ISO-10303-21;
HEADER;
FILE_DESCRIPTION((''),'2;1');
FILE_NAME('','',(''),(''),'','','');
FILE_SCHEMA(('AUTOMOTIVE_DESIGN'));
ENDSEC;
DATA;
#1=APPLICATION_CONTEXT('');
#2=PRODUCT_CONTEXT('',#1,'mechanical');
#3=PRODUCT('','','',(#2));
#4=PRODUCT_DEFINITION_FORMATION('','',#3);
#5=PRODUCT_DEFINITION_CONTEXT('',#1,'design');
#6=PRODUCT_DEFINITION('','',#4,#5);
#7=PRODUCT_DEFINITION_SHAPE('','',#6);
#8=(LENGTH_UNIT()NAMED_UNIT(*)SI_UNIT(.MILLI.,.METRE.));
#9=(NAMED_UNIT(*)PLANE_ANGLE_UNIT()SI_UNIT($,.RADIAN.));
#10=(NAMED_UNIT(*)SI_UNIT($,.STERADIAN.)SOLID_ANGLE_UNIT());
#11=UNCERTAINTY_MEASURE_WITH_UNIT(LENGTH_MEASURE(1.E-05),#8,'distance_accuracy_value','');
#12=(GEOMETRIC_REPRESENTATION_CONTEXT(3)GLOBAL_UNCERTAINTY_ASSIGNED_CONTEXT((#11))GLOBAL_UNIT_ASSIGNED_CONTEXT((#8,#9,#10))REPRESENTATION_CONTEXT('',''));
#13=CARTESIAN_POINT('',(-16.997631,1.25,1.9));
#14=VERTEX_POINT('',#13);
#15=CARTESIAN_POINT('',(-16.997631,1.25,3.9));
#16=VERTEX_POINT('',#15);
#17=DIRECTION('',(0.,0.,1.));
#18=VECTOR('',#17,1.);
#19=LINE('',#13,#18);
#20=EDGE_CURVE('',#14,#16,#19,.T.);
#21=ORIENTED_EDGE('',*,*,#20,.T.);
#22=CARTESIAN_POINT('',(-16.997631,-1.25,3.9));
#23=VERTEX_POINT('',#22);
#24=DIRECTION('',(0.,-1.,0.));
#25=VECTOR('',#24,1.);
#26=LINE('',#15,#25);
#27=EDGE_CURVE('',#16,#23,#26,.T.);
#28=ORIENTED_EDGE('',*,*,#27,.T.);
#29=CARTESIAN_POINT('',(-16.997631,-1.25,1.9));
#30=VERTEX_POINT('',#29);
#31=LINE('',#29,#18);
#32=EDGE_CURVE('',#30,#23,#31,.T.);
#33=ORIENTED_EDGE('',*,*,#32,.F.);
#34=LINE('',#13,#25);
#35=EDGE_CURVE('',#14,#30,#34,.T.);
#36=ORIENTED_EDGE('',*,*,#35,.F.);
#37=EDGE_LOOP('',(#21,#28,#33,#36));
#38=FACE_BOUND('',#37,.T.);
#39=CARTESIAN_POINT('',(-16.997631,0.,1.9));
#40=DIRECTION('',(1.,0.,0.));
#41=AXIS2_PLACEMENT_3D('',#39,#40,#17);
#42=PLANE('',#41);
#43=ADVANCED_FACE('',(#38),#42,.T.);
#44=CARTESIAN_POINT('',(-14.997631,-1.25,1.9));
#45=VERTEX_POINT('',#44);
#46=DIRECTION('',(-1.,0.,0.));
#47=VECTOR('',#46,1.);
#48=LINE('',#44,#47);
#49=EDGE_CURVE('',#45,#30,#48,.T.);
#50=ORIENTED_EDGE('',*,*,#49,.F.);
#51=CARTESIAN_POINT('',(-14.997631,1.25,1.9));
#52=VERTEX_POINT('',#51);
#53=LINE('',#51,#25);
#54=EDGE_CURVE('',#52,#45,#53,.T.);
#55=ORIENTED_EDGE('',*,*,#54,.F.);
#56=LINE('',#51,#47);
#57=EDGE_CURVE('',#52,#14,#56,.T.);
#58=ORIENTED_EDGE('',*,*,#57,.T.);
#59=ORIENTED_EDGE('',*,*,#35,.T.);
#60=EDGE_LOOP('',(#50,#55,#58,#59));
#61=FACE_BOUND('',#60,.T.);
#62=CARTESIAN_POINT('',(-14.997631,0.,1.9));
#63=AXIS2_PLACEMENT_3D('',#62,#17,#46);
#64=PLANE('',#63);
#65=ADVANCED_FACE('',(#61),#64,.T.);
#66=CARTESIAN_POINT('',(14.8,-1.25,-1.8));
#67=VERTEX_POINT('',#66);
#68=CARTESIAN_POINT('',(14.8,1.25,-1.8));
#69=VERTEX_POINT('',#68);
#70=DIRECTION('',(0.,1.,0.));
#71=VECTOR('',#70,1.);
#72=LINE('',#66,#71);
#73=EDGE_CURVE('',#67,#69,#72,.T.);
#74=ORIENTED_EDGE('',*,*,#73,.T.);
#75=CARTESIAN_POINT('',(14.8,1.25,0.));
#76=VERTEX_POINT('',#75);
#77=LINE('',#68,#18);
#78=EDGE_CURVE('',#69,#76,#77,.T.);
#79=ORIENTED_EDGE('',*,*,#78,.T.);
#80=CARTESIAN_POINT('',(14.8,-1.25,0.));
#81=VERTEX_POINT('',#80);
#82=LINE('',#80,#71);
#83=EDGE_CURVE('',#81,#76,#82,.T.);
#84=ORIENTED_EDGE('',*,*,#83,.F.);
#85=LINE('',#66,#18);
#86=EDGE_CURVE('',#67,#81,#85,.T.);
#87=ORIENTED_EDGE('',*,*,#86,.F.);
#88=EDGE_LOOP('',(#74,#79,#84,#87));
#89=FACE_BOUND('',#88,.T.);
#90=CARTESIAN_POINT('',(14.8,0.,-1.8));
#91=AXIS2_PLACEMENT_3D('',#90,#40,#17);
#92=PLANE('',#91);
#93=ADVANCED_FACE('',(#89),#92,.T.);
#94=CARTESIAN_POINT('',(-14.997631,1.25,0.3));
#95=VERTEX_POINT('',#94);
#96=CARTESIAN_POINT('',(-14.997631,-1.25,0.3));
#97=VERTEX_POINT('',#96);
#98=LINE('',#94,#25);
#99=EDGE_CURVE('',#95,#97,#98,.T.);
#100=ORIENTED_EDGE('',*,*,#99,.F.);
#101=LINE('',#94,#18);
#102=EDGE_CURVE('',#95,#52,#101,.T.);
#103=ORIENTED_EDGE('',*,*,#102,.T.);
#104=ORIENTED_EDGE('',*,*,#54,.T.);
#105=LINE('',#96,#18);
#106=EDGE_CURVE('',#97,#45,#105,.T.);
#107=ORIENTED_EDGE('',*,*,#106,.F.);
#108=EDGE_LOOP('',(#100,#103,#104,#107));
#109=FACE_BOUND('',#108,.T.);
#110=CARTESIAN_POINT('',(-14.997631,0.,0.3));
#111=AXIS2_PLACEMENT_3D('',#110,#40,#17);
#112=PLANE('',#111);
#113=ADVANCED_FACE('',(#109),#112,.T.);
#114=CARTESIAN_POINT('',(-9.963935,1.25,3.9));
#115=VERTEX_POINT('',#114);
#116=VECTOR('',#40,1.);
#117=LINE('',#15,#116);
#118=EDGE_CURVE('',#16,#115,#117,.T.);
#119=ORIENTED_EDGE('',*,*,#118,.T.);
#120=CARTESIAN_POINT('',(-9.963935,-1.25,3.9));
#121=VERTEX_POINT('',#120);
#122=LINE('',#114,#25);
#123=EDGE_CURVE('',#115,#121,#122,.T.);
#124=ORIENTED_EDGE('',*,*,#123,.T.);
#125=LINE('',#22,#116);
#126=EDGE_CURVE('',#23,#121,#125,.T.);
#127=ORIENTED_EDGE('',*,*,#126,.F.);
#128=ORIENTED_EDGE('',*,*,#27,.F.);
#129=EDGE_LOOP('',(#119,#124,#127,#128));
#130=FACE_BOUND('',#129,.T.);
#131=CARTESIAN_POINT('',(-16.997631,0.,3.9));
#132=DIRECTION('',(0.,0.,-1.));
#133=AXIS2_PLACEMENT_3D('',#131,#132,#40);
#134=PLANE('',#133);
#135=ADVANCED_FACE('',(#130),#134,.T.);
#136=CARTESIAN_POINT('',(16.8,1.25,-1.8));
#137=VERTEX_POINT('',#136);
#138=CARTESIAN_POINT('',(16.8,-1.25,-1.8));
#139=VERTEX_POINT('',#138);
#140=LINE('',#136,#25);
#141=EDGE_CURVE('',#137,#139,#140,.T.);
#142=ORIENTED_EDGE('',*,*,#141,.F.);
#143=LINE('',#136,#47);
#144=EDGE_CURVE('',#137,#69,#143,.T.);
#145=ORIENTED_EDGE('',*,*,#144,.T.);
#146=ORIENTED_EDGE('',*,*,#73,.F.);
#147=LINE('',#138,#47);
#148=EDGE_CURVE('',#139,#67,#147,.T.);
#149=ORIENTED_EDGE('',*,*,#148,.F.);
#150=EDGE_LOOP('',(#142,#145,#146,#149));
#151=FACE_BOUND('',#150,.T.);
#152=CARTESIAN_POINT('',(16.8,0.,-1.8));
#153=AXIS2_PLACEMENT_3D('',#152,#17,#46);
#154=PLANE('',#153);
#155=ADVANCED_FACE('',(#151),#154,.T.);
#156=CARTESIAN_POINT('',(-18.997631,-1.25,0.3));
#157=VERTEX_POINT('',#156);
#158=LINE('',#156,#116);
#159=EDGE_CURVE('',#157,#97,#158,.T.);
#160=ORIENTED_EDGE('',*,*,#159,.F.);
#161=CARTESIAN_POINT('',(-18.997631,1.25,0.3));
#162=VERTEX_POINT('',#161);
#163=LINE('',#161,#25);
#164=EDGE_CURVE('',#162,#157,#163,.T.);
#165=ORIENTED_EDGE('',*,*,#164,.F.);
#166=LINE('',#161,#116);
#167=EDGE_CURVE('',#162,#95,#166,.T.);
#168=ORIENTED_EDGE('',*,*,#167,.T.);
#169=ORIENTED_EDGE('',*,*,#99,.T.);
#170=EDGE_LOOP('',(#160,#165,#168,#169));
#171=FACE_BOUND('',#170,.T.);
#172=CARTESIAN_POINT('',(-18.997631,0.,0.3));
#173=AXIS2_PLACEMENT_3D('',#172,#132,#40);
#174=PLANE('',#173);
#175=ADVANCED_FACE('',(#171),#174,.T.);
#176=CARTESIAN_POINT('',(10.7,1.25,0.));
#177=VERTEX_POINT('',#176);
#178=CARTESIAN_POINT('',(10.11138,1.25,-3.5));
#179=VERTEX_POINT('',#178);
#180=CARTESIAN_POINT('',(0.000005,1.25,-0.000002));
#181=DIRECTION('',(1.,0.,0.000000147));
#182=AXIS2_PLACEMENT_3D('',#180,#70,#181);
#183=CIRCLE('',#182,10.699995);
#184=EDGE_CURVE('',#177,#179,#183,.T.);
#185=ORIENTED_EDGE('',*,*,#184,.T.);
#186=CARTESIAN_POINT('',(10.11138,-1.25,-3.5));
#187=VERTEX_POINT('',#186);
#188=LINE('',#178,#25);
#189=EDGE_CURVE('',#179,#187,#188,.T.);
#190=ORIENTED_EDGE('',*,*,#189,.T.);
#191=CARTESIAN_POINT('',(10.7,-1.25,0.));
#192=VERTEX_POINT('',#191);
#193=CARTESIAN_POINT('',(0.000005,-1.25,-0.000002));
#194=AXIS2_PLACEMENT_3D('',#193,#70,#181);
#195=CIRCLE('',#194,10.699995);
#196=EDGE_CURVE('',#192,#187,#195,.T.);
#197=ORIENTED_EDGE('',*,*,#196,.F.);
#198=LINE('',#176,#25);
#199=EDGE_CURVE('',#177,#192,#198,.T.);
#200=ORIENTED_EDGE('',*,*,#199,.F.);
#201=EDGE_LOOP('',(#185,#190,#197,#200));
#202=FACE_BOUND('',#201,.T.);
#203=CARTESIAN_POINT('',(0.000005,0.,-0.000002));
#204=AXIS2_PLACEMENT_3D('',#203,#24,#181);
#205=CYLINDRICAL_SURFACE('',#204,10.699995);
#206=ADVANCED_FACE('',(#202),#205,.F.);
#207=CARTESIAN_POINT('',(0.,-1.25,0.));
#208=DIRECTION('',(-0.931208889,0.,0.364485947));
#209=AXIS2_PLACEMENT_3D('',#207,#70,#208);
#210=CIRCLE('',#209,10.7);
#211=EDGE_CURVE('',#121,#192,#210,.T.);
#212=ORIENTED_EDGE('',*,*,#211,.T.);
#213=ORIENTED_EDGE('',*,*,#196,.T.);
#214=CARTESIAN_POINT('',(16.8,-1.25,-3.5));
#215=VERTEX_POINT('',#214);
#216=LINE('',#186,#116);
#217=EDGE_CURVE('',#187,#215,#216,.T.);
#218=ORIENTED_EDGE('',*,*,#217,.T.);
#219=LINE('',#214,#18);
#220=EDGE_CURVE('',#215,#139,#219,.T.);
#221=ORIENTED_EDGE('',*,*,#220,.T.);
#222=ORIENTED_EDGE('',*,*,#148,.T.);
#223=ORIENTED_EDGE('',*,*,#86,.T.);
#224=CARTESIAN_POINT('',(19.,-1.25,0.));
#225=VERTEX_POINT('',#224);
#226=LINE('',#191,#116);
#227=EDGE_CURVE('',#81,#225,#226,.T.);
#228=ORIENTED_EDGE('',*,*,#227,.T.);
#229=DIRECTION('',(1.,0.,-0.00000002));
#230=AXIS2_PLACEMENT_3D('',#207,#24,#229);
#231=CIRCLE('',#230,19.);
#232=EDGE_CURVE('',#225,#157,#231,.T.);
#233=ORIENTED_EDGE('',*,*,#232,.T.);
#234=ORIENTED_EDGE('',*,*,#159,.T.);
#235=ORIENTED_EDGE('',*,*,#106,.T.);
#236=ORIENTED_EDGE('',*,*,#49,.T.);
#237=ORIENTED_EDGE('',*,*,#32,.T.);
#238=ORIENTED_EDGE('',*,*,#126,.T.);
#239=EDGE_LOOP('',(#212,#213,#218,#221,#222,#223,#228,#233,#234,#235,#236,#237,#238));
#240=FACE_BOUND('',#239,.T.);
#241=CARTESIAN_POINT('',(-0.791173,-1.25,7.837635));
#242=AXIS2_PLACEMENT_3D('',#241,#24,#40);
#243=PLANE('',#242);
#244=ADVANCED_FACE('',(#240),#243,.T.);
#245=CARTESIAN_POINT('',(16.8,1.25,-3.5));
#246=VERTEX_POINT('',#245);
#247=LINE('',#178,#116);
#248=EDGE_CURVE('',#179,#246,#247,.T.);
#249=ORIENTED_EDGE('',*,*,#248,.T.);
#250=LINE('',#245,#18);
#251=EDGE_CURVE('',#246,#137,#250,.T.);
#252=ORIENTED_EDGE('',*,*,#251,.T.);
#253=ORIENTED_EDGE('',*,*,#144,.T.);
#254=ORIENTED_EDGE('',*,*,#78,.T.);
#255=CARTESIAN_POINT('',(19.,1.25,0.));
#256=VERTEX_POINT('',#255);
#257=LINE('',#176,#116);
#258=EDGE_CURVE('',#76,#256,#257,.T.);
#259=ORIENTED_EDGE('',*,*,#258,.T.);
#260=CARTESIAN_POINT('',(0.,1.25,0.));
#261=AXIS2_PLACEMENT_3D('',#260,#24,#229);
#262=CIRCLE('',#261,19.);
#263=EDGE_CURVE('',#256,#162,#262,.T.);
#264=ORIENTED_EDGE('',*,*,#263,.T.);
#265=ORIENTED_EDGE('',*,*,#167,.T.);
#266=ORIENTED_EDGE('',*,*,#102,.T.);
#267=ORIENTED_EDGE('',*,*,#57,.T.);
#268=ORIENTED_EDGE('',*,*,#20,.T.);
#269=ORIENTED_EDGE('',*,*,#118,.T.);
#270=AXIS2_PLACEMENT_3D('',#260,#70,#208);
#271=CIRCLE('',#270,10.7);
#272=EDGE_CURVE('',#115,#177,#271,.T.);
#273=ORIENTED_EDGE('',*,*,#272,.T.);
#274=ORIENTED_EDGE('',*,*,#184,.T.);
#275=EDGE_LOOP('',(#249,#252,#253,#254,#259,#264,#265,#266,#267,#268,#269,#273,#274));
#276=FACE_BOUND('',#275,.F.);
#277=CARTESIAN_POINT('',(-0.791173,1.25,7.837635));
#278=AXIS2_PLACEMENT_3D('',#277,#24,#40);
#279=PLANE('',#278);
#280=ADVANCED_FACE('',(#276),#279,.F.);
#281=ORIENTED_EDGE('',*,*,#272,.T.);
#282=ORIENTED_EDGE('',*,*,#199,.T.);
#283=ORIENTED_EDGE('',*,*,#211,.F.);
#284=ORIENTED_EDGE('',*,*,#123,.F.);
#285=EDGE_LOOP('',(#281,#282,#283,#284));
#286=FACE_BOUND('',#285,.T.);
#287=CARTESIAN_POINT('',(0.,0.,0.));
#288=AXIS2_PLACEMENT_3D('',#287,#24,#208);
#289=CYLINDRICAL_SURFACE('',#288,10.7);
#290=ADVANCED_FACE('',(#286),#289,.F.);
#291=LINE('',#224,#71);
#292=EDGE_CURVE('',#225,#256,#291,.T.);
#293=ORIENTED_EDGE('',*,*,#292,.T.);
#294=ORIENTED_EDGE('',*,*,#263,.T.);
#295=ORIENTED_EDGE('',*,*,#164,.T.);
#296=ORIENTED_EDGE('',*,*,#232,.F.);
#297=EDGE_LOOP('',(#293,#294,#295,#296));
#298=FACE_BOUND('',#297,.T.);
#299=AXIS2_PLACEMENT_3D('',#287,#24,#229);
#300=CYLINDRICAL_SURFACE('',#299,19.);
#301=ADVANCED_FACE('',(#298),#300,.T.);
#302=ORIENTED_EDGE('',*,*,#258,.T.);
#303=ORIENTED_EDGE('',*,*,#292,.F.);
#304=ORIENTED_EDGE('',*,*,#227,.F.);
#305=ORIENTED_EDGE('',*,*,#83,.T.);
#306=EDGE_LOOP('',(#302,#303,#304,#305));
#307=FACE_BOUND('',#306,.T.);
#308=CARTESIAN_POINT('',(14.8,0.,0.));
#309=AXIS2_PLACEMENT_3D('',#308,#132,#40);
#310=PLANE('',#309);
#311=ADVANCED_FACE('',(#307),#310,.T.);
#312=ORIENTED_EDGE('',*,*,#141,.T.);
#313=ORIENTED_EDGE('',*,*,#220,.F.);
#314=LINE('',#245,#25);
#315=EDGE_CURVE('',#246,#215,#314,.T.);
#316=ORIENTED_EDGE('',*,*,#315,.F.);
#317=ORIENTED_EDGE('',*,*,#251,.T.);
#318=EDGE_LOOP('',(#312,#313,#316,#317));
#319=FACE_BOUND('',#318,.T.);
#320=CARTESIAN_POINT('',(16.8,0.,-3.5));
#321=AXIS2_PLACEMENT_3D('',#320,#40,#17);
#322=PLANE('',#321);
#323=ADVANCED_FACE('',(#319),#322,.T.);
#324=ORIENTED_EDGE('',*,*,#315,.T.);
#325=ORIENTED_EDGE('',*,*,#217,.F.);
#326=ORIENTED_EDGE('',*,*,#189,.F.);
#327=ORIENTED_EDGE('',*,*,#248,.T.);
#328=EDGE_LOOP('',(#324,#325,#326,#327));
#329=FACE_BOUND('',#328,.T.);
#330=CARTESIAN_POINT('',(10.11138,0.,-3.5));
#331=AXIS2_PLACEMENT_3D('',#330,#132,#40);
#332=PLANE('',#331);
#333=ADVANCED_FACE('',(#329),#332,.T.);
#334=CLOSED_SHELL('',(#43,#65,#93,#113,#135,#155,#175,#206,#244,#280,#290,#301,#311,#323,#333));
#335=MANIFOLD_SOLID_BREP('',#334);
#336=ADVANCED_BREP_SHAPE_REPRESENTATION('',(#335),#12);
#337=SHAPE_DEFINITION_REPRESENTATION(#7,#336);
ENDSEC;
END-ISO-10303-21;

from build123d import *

# Parameters (mm, degrees)
F1_DEPTH = 1.25


with BuildPart() as f1:
    # F0 (on Front) → F1 (new body, symmetric)
    with BuildSketch(Plane.XZ):
        with BuildLine():
            ThreePointArc((19, 0), (0.150005, 18.999408), (-18.997631, 0.3))
            Line((-18.997631, 0.3), (-14.997631, 0.3))
            Line((-14.997631, 0.3), (-14.997631, 1.9))
            Line((-14.997631, 1.9), (-16.997631, 1.9))
            Line((-16.997631, 1.9), (-16.997631, 3.9))
            Line((-16.997631, 3.9), (-9.963935, 3.9))
            ThreePointArc((-9.963935, 3.9), (1.984426, 10.514374), (10.7, 0))
            Line((10.7, 0), (14.8, 0))
            Line((14.8, 0), (19, 0))
        make_face()
        with BuildLine():
            Line((14.8, -1.8), (14.8, 0))
            Line((14.8, 0), (10.7, 0))
            ThreePointArc((10.7, 0), (10.551819, -1.774576), (10.11138, -3.5))
            Line((10.11138, -3.5), (16.8, -3.5))
            Line((16.8, -3.5), (16.8, -1.8))
            Line((16.8, -1.8), (14.8, -1.8))
        make_face()
    extrude(amount=F1_DEPTH, both=True)


solid = f1.part
